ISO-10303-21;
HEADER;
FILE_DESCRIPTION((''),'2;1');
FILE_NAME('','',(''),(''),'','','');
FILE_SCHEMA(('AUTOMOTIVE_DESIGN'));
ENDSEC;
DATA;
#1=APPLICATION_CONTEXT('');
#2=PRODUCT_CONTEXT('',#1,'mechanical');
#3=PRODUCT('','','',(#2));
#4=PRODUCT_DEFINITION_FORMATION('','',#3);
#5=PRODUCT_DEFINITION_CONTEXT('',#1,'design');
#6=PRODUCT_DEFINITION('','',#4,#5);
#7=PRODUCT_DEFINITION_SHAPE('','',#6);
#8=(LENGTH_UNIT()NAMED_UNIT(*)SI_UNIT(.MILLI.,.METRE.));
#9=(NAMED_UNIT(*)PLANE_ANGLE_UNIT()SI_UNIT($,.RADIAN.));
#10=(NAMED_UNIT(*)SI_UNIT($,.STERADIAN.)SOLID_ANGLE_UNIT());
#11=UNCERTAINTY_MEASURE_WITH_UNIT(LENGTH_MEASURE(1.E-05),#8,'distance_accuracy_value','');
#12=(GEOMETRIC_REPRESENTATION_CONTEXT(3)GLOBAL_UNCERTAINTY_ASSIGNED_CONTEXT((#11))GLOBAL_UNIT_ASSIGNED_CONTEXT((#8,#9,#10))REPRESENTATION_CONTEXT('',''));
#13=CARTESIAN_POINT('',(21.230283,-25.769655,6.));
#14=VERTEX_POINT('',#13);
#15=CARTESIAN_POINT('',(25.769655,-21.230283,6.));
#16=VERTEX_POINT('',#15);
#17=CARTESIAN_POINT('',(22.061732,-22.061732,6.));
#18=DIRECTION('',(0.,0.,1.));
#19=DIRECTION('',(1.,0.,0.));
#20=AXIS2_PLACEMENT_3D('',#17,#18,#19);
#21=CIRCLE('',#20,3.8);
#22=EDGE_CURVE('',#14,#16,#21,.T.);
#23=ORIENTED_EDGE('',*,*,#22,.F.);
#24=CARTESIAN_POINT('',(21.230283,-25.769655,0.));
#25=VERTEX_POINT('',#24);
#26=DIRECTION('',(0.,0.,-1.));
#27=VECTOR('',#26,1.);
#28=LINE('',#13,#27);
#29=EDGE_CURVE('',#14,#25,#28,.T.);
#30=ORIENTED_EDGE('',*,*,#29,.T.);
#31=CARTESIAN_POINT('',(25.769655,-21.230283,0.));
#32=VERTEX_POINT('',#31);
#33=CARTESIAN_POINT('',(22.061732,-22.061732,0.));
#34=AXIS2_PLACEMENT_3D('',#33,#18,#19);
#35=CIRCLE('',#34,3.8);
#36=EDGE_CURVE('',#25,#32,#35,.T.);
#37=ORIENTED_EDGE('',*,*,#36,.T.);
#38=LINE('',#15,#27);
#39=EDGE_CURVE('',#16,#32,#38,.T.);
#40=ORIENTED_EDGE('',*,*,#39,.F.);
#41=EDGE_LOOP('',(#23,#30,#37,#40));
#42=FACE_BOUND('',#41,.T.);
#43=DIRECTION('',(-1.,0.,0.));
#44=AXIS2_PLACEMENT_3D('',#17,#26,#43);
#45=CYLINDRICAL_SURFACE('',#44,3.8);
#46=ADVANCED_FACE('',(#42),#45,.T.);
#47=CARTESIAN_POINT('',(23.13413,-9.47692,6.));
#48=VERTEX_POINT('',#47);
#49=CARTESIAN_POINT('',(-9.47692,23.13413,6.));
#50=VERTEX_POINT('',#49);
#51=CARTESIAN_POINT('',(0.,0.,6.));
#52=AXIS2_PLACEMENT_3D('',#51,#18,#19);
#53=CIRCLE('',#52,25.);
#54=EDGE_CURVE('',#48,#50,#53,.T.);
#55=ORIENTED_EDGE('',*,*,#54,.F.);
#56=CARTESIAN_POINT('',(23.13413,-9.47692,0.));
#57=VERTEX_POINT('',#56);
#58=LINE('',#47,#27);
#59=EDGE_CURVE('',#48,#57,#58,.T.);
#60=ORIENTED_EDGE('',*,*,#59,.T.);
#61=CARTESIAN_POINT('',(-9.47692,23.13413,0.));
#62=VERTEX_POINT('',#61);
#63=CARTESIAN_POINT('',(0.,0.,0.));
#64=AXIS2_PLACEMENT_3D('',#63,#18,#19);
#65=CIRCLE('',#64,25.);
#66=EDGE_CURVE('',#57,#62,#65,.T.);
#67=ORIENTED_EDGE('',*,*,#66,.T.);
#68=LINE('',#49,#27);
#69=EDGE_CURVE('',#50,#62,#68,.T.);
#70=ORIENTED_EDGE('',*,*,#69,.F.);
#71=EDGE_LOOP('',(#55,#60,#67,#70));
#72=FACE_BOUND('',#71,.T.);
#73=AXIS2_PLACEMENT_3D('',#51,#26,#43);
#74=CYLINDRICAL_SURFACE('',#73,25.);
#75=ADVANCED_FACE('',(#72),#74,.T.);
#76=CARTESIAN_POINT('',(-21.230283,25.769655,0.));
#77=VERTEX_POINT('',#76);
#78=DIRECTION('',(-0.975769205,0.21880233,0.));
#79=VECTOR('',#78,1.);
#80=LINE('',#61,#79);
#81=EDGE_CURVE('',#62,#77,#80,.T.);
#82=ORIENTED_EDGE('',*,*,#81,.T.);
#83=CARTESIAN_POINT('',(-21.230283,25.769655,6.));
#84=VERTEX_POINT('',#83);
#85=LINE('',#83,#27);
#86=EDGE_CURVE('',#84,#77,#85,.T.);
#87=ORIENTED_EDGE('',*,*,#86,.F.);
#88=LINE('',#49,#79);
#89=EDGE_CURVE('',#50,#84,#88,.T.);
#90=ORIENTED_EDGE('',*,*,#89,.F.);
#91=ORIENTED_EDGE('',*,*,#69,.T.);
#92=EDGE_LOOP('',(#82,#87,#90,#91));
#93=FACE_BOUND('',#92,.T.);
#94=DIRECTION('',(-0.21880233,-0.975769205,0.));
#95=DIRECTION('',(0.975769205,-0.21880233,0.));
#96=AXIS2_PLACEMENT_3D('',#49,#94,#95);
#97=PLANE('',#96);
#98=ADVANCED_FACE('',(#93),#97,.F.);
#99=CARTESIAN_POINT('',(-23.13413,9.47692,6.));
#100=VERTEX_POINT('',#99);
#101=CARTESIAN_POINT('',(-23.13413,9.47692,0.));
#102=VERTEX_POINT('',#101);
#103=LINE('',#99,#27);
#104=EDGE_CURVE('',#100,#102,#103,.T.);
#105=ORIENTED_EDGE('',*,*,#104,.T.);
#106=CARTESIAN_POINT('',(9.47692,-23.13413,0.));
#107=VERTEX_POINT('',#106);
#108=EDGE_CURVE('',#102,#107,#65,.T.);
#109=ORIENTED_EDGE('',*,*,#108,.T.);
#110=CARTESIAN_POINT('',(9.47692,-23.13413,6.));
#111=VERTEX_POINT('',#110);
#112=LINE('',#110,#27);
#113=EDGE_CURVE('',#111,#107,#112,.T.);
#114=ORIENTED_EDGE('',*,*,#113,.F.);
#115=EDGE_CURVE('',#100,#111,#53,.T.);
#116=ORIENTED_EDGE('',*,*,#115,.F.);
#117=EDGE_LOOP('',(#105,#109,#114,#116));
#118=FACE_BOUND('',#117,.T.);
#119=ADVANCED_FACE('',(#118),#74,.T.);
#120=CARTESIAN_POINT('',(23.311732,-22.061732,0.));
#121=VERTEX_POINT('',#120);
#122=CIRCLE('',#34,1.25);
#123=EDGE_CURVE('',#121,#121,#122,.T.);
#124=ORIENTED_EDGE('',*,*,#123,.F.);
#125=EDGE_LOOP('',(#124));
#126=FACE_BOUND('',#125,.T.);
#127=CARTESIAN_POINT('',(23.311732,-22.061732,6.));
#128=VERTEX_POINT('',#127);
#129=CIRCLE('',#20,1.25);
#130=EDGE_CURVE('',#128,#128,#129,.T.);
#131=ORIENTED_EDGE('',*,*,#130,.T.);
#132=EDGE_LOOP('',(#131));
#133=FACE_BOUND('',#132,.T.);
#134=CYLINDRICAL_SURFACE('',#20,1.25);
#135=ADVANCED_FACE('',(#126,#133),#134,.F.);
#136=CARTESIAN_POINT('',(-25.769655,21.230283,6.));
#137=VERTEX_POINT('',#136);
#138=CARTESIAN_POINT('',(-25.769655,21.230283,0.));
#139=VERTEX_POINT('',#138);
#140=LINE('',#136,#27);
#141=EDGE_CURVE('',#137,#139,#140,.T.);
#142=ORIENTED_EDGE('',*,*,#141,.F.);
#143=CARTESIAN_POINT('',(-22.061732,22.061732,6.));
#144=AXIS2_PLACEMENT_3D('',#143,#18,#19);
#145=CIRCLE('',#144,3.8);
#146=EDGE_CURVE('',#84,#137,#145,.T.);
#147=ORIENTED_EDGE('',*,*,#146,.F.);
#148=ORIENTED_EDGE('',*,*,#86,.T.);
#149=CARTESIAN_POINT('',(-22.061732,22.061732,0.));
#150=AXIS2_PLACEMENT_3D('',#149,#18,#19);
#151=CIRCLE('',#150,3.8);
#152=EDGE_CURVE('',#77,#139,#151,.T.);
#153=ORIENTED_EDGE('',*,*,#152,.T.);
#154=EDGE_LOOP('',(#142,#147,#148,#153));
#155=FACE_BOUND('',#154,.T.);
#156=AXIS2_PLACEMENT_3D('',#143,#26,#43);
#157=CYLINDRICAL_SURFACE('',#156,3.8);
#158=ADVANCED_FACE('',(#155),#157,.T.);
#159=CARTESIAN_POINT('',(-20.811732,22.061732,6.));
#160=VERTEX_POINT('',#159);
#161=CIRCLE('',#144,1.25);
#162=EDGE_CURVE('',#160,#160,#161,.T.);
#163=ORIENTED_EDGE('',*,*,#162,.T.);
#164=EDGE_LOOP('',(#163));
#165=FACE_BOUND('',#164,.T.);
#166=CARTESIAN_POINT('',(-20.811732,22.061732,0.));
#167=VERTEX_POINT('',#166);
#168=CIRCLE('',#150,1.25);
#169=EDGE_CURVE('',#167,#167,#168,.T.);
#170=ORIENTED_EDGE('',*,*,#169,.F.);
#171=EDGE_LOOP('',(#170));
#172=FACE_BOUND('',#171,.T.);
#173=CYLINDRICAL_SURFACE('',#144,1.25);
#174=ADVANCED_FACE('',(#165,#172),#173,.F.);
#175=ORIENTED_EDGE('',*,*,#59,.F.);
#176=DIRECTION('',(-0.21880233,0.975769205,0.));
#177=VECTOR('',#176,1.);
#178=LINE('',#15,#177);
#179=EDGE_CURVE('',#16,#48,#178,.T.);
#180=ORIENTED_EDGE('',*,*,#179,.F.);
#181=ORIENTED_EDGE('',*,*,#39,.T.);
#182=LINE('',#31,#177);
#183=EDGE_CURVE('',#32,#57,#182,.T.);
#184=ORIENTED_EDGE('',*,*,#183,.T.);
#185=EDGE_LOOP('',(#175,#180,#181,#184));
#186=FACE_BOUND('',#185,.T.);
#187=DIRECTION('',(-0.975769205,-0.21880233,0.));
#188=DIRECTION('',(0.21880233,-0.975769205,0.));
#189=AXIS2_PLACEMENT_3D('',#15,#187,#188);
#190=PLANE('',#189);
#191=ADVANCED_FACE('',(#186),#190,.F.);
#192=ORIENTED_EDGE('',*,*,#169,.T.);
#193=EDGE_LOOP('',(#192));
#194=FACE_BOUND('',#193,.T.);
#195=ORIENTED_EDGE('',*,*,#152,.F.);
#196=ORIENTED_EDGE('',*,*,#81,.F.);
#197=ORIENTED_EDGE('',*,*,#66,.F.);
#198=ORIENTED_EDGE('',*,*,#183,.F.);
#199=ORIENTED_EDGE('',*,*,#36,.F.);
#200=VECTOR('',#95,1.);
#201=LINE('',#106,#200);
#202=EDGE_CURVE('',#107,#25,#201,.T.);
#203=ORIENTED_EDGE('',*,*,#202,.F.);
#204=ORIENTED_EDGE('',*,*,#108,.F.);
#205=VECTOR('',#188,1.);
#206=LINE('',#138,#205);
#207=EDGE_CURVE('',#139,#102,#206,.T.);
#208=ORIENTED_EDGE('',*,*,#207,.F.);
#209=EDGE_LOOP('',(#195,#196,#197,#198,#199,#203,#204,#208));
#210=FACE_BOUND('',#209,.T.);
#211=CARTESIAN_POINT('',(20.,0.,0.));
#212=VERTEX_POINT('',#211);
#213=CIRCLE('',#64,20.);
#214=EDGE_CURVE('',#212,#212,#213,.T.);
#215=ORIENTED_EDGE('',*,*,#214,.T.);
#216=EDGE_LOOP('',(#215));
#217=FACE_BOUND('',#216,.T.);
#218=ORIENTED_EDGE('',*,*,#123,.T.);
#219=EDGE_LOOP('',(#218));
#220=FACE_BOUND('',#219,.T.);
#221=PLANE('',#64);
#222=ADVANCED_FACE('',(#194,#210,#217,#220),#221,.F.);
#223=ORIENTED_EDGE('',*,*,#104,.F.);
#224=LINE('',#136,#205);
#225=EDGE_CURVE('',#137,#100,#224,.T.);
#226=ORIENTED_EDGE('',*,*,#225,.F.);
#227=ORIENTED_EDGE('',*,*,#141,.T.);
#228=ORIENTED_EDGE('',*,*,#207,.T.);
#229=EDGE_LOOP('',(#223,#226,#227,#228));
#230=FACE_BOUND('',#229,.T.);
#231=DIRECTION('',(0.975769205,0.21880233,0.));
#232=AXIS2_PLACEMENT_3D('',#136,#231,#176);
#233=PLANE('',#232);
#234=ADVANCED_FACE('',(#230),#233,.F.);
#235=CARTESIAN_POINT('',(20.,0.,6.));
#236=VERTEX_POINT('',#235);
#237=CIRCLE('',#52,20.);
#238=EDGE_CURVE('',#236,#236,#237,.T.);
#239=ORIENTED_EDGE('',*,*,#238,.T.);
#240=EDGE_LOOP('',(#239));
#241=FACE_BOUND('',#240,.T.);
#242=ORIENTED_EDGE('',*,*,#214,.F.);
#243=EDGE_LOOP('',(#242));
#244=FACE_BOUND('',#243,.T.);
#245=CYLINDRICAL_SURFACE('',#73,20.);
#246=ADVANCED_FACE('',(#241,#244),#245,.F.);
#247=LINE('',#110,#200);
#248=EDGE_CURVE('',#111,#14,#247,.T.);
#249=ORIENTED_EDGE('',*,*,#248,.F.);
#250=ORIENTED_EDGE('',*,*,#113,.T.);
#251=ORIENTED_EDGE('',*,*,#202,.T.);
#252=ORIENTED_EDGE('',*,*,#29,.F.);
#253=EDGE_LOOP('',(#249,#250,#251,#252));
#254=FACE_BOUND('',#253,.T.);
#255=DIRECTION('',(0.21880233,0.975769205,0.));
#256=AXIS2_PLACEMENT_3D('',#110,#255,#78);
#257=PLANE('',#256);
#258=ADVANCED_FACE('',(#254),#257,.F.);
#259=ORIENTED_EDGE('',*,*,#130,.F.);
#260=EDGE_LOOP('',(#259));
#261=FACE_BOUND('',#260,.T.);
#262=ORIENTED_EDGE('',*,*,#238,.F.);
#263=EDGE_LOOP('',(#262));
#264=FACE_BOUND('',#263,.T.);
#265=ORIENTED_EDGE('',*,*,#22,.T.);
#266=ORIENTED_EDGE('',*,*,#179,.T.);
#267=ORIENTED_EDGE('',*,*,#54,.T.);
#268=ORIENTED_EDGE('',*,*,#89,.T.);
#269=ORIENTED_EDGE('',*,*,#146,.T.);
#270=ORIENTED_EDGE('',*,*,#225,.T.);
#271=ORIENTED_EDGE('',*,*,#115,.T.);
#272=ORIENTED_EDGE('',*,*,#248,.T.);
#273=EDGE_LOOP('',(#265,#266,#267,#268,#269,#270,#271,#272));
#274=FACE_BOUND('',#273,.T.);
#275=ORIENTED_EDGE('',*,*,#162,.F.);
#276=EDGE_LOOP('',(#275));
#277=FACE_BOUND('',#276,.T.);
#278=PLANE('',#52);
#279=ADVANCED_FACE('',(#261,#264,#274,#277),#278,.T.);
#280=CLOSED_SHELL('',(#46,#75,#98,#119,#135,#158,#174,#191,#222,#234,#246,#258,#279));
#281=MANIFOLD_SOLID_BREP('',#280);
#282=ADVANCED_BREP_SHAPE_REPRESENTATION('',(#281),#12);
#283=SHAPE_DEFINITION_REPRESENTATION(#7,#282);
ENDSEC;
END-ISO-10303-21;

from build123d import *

# Parameters (mm, degrees)
SKETCH_1_R        = 20
EXTRUDE_1_DEPTH   = 6
HOLE_WIZARD_M31_D = 2.5


with BuildPart() as part:
    # Эскиз1 → Бобышка-Вытянуть1 (new body)
    with BuildSketch(Plane.XY):
        with BuildLine():
            Line((9.476919675, -23.134130489), (21.23028272, -25.76965455))
            ThreePointArc((21.23028272, -25.76965455), (24.748737342, -24.748737342), (25.76965455, -21.23028272))
            Line((25.76965455, -21.23028272), (23.134130489, -9.476919675))
            ThreePointArc((23.134130489, -9.476919675), (17.67766953, 17.67766953), (-9.476919675, 23.134130489))
            Line((-9.476919675, 23.134130489), (-21.23028272, 25.76965455))
            ThreePointArc((-21.23028272, 25.76965455), (-24.748737342, 24.748737342), (-25.76965455, 21.23028272))
            Line((-25.76965455, 21.23028272), (-23.134130489, 9.476919675))
            ThreePointArc((-23.134130489, 9.476919675), (-17.67766953, -17.67766953), (9.476919675, -23.134130489))
        make_face()
        Circle(SKETCH_1_R, mode=Mode.SUBTRACT)
    extrude(amount=EXTRUDE_1_DEPTH)

    # Отверстие обработанное метчиком M31 (through all)
    with Locations(Plane.XY.offset(6)):
        with Locations((-22.061731573, 22.061731573), (22.061731573, -22.061731573)):
            Hole(HOLE_WIZARD_M31_D / 2)


solid = part.part
